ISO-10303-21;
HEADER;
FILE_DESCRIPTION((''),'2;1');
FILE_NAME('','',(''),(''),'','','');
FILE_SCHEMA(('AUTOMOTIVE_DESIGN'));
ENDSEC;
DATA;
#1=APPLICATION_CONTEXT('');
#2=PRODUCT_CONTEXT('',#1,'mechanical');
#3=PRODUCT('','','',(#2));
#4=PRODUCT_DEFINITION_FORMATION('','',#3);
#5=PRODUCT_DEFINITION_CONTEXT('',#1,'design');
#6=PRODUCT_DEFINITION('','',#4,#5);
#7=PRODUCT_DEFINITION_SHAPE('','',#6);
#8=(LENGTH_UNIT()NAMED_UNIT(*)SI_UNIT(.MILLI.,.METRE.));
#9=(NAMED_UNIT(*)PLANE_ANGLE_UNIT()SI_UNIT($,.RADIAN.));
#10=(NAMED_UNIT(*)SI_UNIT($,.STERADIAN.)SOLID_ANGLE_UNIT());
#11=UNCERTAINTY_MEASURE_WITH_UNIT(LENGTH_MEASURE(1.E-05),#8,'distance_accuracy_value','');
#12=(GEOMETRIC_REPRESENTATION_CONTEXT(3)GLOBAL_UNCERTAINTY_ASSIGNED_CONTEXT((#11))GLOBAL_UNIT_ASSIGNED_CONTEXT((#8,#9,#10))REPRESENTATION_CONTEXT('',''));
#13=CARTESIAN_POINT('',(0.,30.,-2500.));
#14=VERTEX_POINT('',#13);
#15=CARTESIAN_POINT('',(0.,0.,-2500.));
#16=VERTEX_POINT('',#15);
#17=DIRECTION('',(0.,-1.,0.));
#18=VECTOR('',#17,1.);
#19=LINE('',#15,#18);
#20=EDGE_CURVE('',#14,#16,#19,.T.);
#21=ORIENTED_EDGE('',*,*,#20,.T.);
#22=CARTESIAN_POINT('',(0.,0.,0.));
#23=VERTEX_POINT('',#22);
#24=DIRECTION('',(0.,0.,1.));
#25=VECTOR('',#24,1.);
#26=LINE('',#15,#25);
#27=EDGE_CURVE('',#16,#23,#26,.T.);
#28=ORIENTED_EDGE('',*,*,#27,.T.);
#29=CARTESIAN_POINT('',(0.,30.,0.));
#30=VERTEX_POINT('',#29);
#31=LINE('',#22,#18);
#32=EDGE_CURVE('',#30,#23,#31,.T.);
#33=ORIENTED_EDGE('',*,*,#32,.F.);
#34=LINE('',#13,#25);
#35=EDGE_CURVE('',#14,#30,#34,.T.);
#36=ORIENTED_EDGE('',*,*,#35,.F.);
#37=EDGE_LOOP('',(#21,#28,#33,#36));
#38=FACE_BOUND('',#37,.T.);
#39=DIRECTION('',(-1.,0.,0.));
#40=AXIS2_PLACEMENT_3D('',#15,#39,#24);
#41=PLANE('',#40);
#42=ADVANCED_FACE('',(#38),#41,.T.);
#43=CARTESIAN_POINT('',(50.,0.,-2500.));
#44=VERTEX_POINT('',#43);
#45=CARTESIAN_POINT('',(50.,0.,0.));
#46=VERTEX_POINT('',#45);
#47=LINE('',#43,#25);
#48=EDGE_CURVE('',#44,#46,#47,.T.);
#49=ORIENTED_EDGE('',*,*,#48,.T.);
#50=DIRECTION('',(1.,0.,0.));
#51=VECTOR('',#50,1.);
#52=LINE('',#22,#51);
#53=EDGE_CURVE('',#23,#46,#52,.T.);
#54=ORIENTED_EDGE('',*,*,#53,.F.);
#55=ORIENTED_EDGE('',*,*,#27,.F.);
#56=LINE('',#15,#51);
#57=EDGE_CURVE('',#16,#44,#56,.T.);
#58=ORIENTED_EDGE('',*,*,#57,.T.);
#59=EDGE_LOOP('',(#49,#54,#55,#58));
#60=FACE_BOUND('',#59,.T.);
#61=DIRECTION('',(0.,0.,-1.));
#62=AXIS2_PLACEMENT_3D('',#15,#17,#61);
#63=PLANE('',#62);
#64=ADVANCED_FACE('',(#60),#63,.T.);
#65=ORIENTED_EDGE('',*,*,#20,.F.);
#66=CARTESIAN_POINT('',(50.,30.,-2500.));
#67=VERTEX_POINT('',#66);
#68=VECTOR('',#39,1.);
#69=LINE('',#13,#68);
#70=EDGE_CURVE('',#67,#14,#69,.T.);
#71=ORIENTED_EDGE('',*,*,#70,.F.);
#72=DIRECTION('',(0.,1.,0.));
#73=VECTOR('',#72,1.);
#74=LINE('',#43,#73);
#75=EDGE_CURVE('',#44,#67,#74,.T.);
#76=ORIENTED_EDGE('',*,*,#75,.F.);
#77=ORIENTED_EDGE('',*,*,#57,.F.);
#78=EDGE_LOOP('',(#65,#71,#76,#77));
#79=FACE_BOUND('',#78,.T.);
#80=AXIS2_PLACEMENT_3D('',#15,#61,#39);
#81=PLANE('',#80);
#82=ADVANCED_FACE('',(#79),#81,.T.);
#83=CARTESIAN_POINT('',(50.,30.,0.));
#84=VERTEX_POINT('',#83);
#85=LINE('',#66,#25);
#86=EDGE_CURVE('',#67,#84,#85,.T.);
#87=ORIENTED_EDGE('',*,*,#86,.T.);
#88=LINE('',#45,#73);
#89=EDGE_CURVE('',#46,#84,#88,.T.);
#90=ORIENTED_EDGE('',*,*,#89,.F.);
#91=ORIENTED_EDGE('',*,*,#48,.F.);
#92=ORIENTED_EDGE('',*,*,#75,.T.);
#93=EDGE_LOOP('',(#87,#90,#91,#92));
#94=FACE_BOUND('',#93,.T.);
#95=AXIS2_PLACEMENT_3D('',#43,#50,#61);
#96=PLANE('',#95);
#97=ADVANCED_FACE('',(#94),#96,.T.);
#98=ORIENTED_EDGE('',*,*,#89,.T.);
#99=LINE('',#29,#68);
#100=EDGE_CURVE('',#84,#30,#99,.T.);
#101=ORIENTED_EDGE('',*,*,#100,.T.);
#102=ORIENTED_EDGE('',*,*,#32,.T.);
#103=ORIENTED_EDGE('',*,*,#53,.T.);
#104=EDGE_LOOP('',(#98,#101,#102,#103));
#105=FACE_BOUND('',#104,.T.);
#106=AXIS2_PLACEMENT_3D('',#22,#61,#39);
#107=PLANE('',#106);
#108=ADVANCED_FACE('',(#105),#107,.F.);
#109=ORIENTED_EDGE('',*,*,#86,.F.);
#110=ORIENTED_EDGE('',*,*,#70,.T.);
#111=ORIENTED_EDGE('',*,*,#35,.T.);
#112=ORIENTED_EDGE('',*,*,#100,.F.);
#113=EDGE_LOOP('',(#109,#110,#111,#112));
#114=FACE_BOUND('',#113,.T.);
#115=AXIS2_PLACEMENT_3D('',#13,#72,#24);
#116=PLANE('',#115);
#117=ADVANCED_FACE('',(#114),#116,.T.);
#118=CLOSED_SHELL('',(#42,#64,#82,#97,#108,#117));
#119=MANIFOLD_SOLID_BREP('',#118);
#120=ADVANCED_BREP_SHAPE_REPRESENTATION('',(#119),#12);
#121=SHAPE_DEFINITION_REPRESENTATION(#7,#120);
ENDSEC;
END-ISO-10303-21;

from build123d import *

# Parameters (mm, degrees)
SKETCH_1_W      = 50
SKETCH_1_H      = 30
EXTRUDE_1_DEPTH = 2500


with BuildPart() as part:
    # Эскиз1 → Бобышка-Вытянуть1 (new body)
    with BuildSketch(Plane.XY):
        with Locations((25, 15)):
            Rectangle(SKETCH_1_W, SKETCH_1_H)
    extrude(amount=-EXTRUDE_1_DEPTH)


solid = part.part
